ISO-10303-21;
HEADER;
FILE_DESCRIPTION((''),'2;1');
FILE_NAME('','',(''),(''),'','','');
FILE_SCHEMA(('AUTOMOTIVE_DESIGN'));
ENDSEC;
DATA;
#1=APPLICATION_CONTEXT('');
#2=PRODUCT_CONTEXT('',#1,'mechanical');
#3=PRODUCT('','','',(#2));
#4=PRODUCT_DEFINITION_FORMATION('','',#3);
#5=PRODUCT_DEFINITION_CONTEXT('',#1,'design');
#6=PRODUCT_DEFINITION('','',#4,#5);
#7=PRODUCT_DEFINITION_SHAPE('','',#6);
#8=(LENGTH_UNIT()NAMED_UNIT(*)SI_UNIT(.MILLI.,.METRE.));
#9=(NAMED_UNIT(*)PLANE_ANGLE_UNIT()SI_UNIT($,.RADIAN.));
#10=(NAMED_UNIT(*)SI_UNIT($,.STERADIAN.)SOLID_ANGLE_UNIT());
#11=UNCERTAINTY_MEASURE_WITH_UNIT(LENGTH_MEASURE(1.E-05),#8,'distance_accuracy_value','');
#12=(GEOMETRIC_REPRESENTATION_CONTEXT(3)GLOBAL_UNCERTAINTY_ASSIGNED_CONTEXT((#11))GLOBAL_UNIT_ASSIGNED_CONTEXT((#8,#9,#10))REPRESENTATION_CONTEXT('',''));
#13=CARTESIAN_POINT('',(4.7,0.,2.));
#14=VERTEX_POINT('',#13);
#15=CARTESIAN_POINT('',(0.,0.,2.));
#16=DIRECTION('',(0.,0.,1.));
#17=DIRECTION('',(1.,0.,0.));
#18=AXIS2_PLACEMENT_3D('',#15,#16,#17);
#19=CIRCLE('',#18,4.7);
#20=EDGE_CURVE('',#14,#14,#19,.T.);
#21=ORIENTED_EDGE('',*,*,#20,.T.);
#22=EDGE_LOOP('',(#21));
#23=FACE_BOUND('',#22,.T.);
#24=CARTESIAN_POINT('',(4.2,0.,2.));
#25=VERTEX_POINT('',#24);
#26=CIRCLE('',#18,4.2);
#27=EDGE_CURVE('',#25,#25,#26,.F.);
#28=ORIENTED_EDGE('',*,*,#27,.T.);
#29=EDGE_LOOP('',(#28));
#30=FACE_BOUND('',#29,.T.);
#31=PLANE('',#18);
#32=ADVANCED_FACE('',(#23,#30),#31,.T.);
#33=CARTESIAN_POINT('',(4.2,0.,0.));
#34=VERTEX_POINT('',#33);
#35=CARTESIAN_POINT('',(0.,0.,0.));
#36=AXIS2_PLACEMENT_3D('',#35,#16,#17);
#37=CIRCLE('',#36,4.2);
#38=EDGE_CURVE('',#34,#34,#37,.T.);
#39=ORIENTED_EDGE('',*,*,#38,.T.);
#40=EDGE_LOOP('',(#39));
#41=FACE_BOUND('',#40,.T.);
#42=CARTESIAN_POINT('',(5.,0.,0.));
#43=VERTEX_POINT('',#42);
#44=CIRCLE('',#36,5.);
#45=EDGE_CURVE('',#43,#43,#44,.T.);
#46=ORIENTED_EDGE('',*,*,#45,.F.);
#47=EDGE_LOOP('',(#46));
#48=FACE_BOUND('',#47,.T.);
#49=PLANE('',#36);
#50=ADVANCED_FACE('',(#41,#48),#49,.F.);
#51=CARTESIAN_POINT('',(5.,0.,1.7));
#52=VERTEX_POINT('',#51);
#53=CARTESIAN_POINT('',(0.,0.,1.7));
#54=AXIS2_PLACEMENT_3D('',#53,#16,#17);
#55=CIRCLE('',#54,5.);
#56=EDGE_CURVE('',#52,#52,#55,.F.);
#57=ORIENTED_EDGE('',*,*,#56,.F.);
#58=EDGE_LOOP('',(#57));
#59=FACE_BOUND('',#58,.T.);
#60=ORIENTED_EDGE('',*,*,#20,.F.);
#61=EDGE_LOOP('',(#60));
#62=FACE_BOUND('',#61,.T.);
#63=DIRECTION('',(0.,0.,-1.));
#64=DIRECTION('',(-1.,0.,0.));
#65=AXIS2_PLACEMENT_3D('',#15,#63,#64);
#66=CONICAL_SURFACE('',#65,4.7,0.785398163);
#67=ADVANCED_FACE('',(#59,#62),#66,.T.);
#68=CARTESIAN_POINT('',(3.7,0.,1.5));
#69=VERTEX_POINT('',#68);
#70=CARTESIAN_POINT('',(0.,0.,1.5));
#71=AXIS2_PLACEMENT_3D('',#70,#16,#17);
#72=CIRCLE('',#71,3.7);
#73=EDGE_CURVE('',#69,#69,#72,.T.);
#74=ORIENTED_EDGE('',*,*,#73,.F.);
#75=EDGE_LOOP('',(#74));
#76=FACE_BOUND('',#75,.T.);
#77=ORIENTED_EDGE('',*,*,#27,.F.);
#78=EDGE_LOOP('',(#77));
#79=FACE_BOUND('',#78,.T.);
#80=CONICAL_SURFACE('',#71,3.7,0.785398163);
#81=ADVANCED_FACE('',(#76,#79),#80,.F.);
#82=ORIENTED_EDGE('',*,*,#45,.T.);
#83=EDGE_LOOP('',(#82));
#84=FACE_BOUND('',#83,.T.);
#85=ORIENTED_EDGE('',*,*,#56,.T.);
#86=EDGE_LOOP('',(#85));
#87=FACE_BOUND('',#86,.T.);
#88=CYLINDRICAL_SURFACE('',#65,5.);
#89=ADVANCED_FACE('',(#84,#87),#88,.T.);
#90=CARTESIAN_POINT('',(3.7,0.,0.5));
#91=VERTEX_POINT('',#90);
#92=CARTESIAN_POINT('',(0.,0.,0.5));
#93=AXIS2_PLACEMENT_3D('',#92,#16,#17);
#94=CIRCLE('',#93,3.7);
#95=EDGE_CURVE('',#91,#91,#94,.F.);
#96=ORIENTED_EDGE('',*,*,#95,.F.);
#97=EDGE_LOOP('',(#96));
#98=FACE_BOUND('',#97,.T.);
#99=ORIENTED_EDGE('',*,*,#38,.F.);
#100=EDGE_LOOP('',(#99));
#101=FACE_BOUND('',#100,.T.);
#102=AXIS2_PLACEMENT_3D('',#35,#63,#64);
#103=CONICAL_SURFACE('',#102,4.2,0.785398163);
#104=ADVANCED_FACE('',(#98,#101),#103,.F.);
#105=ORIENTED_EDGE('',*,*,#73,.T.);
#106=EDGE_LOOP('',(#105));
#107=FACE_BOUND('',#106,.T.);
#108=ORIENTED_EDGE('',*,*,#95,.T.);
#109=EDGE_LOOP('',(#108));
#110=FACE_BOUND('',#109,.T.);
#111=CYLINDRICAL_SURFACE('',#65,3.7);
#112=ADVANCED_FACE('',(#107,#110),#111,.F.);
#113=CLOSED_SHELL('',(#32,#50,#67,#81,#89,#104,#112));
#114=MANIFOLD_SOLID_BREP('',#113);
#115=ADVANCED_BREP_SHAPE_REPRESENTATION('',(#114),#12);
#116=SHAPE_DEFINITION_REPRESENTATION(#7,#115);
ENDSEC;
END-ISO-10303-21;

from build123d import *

# Parameters (mm, degrees)
SKETCH1_R           = 5
SKETCH1_R_2         = 3.7
BOSS_EXTRUDE1_DEPTH = 2
CHAMFER1_SIZE       = 0.3
CHAMFER2_SIZE       = 0.5


with BuildPart() as part:
    # Sketch1 → Boss-Extrude1 (new body)
    with BuildSketch(Plane.XY):
        Circle(SKETCH1_R)
        Circle(SKETCH1_R_2, mode=Mode.SUBTRACT)
    extrude(amount=BOSS_EXTRUDE1_DEPTH)

    # Chamfer1
    chamfer1_edges = [part.edges().sort_by_distance(p)[0] for p in [
        (-5, 0, 2),
    ]]
    chamfer(chamfer1_edges, length=CHAMFER1_SIZE)

    # Chamfer2
    chamfer2_edges = [part.edges().sort_by_distance(p)[0] for p in [
        (-3.7, 0, 0),
        (-3.7, 0, 2),
    ]]
    chamfer(chamfer2_edges, length=CHAMFER2_SIZE)


solid = part.part
